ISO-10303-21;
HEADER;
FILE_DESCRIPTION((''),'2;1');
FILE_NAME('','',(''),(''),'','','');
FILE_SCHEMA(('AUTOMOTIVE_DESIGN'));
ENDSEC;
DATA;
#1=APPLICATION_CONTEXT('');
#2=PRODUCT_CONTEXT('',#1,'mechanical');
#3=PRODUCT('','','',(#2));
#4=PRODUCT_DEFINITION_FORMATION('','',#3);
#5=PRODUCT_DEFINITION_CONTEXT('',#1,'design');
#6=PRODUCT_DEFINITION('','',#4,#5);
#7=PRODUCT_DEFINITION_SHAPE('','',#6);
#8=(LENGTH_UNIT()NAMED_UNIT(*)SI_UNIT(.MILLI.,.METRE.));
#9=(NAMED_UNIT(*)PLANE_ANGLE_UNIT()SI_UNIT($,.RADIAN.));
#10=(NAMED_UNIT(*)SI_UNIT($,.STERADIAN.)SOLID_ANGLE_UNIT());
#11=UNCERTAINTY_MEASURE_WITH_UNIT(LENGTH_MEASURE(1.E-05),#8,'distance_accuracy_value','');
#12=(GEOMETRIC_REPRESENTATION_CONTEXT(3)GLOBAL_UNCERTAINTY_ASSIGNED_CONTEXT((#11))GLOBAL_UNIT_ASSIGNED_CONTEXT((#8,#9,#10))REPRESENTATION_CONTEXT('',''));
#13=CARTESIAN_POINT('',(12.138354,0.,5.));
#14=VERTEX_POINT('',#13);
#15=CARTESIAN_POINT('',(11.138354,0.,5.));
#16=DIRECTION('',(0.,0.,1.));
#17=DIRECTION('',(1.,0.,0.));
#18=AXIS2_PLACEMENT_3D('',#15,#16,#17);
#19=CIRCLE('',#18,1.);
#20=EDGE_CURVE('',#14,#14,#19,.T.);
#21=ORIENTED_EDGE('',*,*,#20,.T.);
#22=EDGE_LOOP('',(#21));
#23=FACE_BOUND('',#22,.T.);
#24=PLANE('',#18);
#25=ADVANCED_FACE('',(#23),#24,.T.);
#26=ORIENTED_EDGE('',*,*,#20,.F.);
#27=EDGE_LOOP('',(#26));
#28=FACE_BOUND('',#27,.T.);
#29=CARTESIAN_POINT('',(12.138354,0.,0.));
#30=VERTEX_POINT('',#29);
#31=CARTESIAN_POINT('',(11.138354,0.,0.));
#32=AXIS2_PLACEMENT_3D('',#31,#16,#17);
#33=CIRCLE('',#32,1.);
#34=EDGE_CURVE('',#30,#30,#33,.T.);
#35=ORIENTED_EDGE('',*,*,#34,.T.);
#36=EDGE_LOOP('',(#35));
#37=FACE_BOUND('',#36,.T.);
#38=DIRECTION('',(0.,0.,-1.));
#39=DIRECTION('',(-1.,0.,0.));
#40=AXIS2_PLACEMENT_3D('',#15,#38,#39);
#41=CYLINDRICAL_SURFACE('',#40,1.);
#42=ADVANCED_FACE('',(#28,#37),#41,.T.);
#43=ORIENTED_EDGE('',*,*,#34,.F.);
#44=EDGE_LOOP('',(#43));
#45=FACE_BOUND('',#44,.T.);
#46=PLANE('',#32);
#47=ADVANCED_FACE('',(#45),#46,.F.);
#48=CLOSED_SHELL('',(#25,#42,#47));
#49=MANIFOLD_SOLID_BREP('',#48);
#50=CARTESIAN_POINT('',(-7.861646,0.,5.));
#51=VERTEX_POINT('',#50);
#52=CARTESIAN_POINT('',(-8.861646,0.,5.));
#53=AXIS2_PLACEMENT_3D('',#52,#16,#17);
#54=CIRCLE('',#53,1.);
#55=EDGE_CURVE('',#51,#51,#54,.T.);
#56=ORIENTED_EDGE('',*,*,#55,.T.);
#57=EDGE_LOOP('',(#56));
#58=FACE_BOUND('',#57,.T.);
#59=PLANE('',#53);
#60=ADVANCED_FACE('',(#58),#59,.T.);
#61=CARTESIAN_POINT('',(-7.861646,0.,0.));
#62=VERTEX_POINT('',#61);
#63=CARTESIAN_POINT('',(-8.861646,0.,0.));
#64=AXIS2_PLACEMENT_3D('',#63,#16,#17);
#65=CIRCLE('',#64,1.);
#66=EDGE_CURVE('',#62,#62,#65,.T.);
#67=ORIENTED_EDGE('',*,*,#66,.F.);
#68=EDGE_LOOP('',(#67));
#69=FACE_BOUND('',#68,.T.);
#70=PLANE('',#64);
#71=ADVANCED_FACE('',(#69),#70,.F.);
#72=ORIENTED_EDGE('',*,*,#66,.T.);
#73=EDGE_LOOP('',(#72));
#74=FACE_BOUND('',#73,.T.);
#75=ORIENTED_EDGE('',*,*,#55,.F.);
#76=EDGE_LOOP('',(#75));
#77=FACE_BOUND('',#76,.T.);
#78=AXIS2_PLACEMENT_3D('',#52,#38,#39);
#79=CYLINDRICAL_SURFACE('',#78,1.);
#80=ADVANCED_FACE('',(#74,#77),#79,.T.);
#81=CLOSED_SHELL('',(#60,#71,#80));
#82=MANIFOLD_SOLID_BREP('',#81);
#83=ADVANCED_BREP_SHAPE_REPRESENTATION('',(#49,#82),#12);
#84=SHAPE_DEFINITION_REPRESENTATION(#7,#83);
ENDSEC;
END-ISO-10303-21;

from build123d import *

# Parameters (mm, degrees)
SKETCH_1_R        = 1
EXTRUDE_1_DEPTH   = 5
EXTRUDE_1_2_DEPTH = 5


with BuildPart() as part:
    # 草图1 → 凸台-拉伸1 (new body)
    with BuildSketch(Plane.XY):
        with Locations((-8.861646235, 0)):
            Circle(SKETCH_1_R)
    extrude(amount=EXTRUDE_1_DEPTH)


with BuildPart() as body_2:
    # 草图1 → Extrude 1 2 (new body)
    with BuildSketch(Plane.XY):
        with Locations((11.138353765, 0)):
            Circle(SKETCH_1_R)
    extrude(amount=EXTRUDE_1_2_DEPTH)


solid = Compound([part.part, body_2.part])
